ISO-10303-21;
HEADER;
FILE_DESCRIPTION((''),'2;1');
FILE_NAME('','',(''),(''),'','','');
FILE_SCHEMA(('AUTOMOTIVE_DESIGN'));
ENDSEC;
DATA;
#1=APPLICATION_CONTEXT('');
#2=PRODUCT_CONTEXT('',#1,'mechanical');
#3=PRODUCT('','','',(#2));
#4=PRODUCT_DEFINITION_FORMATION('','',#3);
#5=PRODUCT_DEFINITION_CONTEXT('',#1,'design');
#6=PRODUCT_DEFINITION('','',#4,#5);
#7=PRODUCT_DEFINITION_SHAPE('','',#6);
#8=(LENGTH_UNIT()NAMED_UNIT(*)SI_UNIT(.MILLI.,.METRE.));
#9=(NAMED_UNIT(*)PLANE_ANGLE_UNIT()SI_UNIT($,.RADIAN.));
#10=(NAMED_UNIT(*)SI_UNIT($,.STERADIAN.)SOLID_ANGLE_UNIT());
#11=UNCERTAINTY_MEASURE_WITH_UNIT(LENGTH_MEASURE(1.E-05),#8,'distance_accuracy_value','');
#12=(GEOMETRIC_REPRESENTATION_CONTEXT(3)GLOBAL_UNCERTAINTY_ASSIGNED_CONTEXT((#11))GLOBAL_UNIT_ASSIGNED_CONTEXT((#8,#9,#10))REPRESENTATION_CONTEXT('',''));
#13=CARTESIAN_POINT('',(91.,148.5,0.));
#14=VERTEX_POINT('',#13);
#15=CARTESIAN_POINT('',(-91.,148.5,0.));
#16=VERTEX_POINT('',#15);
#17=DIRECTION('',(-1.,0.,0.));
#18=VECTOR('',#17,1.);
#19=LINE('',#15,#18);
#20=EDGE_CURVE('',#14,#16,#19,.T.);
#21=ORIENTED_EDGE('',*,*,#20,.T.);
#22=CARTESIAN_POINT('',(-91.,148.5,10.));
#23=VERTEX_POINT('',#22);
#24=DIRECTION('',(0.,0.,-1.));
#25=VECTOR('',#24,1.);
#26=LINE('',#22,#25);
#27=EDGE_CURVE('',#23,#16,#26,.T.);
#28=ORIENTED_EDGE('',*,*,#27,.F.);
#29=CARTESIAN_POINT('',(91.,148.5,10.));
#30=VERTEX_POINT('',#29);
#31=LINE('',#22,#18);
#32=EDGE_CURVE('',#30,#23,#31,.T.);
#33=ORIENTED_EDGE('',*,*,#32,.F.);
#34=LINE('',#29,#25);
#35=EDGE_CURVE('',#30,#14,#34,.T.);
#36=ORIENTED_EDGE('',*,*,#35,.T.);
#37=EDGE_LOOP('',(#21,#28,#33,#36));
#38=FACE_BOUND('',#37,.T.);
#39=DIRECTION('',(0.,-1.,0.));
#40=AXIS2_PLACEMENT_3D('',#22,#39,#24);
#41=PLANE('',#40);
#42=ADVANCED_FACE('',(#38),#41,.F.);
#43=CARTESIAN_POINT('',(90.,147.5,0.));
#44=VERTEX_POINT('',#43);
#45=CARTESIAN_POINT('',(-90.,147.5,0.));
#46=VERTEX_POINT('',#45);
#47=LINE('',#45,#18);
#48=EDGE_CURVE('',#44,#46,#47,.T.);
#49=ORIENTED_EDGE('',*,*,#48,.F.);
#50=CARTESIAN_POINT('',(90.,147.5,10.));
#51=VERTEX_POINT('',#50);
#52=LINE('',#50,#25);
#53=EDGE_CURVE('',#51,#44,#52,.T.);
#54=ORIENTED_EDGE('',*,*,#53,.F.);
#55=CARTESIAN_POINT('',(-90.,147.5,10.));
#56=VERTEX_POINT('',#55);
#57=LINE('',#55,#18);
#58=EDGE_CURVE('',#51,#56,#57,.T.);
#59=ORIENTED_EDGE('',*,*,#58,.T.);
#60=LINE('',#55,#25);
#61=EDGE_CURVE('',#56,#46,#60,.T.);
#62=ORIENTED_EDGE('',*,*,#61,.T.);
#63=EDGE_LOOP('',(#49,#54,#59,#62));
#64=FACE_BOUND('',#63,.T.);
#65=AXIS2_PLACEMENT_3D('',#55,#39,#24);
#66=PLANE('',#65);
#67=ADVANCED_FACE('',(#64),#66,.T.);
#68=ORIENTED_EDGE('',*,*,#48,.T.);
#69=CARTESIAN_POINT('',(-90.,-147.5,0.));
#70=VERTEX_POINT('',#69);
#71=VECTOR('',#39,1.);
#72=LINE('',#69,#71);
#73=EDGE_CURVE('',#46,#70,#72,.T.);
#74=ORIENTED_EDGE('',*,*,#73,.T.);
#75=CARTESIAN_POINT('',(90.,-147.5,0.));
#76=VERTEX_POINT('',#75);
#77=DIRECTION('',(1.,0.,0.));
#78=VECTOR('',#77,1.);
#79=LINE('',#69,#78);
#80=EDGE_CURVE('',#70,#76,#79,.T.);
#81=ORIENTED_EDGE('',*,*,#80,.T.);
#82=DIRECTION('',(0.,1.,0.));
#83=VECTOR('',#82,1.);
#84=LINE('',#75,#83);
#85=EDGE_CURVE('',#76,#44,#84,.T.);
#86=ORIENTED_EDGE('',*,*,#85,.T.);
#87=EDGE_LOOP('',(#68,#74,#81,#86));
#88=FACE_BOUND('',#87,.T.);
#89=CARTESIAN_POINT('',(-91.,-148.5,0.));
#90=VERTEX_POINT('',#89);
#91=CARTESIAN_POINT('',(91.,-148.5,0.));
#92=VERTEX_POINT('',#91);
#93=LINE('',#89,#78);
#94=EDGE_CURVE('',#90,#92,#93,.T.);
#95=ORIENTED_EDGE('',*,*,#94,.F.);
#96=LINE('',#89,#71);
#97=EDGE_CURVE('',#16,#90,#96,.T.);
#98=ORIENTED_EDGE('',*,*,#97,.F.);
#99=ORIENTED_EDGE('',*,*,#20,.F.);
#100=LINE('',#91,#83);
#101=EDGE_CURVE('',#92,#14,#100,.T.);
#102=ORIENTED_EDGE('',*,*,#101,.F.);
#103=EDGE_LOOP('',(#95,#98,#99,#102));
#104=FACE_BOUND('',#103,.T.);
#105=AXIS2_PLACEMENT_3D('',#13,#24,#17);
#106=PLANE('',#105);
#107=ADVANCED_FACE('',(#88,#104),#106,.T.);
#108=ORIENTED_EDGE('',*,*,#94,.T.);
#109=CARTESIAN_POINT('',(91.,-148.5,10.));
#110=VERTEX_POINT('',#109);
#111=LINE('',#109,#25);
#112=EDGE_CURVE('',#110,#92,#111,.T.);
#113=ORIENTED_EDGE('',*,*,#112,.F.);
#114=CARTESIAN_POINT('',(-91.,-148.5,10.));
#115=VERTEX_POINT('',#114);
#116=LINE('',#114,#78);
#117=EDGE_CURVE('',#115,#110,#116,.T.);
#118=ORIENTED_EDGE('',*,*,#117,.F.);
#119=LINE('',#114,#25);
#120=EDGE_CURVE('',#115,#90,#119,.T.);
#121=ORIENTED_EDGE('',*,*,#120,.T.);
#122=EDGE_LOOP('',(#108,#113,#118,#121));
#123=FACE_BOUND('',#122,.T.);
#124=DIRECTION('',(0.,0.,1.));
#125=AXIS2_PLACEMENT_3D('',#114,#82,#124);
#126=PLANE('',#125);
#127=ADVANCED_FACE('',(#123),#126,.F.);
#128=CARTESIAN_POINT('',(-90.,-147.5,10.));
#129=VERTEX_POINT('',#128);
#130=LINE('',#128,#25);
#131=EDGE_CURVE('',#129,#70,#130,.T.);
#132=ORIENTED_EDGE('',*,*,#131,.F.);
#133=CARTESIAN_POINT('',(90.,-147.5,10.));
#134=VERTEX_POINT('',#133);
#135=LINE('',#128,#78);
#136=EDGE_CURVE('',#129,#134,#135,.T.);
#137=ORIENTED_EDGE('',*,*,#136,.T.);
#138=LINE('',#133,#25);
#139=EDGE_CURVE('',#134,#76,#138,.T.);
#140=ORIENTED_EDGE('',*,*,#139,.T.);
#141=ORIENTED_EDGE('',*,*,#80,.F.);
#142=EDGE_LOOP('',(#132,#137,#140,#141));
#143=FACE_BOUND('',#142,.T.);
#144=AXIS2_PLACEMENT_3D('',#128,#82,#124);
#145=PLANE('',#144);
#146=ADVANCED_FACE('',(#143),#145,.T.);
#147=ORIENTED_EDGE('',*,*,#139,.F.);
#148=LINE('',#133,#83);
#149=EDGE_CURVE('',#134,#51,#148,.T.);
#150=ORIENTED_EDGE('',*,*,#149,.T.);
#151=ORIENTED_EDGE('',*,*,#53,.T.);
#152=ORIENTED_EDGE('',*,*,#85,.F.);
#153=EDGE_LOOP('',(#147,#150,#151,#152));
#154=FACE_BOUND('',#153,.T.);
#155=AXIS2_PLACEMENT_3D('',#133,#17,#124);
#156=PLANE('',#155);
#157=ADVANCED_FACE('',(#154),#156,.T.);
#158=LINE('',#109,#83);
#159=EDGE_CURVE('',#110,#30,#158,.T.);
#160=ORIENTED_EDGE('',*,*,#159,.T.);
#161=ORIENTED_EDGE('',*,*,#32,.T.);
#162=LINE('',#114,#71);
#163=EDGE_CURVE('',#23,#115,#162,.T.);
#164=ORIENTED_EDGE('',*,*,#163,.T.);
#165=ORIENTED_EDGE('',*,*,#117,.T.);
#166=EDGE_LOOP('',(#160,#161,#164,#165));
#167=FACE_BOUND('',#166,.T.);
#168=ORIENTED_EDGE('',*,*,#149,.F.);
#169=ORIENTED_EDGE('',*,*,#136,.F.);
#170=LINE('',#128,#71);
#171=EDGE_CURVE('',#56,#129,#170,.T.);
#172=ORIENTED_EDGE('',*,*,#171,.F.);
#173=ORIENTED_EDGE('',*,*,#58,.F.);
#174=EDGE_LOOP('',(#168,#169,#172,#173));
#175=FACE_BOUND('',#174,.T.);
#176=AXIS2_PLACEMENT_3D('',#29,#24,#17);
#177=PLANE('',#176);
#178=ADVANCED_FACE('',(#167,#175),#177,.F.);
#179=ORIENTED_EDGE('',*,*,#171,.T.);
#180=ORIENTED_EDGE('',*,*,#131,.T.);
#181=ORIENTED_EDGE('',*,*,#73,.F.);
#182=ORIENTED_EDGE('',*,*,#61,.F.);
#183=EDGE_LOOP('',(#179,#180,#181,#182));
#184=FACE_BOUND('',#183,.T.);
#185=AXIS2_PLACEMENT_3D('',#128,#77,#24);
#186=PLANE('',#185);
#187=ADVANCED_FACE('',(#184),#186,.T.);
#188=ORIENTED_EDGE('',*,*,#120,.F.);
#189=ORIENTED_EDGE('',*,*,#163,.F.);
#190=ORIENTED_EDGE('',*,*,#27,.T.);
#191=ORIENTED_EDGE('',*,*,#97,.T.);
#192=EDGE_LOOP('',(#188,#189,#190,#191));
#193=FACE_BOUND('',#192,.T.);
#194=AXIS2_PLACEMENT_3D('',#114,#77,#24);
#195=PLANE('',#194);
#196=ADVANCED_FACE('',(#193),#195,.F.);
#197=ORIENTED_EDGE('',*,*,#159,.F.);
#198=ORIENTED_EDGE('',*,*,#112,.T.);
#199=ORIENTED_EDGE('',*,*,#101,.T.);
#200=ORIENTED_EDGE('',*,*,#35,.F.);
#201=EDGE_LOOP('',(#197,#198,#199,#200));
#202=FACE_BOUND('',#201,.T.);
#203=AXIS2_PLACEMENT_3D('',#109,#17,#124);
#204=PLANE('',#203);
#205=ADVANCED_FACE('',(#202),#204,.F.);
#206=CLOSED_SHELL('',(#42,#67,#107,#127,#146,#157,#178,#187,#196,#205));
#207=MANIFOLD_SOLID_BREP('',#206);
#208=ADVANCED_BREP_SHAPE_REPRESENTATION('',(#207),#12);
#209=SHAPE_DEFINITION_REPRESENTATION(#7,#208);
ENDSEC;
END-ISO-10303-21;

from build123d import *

# Parameters (mm, degrees)
ESBO_O1_W                = 182
ESBO_O1_H                = 297
ESBO_O1_W_2              = 180
ESBO_O1_H_2              = 295
RESSALTO_EXTRUS_O1_DEPTH = 10


with BuildPart() as part:
    # Esboço1 → Ressalto-extrusão1 (new body)
    with BuildSketch(Plane.XY):
        Rectangle(ESBO_O1_W, ESBO_O1_H)
        Rectangle(ESBO_O1_W_2, ESBO_O1_H_2, mode=Mode.SUBTRACT)
    extrude(amount=RESSALTO_EXTRUS_O1_DEPTH)


solid = part.part
